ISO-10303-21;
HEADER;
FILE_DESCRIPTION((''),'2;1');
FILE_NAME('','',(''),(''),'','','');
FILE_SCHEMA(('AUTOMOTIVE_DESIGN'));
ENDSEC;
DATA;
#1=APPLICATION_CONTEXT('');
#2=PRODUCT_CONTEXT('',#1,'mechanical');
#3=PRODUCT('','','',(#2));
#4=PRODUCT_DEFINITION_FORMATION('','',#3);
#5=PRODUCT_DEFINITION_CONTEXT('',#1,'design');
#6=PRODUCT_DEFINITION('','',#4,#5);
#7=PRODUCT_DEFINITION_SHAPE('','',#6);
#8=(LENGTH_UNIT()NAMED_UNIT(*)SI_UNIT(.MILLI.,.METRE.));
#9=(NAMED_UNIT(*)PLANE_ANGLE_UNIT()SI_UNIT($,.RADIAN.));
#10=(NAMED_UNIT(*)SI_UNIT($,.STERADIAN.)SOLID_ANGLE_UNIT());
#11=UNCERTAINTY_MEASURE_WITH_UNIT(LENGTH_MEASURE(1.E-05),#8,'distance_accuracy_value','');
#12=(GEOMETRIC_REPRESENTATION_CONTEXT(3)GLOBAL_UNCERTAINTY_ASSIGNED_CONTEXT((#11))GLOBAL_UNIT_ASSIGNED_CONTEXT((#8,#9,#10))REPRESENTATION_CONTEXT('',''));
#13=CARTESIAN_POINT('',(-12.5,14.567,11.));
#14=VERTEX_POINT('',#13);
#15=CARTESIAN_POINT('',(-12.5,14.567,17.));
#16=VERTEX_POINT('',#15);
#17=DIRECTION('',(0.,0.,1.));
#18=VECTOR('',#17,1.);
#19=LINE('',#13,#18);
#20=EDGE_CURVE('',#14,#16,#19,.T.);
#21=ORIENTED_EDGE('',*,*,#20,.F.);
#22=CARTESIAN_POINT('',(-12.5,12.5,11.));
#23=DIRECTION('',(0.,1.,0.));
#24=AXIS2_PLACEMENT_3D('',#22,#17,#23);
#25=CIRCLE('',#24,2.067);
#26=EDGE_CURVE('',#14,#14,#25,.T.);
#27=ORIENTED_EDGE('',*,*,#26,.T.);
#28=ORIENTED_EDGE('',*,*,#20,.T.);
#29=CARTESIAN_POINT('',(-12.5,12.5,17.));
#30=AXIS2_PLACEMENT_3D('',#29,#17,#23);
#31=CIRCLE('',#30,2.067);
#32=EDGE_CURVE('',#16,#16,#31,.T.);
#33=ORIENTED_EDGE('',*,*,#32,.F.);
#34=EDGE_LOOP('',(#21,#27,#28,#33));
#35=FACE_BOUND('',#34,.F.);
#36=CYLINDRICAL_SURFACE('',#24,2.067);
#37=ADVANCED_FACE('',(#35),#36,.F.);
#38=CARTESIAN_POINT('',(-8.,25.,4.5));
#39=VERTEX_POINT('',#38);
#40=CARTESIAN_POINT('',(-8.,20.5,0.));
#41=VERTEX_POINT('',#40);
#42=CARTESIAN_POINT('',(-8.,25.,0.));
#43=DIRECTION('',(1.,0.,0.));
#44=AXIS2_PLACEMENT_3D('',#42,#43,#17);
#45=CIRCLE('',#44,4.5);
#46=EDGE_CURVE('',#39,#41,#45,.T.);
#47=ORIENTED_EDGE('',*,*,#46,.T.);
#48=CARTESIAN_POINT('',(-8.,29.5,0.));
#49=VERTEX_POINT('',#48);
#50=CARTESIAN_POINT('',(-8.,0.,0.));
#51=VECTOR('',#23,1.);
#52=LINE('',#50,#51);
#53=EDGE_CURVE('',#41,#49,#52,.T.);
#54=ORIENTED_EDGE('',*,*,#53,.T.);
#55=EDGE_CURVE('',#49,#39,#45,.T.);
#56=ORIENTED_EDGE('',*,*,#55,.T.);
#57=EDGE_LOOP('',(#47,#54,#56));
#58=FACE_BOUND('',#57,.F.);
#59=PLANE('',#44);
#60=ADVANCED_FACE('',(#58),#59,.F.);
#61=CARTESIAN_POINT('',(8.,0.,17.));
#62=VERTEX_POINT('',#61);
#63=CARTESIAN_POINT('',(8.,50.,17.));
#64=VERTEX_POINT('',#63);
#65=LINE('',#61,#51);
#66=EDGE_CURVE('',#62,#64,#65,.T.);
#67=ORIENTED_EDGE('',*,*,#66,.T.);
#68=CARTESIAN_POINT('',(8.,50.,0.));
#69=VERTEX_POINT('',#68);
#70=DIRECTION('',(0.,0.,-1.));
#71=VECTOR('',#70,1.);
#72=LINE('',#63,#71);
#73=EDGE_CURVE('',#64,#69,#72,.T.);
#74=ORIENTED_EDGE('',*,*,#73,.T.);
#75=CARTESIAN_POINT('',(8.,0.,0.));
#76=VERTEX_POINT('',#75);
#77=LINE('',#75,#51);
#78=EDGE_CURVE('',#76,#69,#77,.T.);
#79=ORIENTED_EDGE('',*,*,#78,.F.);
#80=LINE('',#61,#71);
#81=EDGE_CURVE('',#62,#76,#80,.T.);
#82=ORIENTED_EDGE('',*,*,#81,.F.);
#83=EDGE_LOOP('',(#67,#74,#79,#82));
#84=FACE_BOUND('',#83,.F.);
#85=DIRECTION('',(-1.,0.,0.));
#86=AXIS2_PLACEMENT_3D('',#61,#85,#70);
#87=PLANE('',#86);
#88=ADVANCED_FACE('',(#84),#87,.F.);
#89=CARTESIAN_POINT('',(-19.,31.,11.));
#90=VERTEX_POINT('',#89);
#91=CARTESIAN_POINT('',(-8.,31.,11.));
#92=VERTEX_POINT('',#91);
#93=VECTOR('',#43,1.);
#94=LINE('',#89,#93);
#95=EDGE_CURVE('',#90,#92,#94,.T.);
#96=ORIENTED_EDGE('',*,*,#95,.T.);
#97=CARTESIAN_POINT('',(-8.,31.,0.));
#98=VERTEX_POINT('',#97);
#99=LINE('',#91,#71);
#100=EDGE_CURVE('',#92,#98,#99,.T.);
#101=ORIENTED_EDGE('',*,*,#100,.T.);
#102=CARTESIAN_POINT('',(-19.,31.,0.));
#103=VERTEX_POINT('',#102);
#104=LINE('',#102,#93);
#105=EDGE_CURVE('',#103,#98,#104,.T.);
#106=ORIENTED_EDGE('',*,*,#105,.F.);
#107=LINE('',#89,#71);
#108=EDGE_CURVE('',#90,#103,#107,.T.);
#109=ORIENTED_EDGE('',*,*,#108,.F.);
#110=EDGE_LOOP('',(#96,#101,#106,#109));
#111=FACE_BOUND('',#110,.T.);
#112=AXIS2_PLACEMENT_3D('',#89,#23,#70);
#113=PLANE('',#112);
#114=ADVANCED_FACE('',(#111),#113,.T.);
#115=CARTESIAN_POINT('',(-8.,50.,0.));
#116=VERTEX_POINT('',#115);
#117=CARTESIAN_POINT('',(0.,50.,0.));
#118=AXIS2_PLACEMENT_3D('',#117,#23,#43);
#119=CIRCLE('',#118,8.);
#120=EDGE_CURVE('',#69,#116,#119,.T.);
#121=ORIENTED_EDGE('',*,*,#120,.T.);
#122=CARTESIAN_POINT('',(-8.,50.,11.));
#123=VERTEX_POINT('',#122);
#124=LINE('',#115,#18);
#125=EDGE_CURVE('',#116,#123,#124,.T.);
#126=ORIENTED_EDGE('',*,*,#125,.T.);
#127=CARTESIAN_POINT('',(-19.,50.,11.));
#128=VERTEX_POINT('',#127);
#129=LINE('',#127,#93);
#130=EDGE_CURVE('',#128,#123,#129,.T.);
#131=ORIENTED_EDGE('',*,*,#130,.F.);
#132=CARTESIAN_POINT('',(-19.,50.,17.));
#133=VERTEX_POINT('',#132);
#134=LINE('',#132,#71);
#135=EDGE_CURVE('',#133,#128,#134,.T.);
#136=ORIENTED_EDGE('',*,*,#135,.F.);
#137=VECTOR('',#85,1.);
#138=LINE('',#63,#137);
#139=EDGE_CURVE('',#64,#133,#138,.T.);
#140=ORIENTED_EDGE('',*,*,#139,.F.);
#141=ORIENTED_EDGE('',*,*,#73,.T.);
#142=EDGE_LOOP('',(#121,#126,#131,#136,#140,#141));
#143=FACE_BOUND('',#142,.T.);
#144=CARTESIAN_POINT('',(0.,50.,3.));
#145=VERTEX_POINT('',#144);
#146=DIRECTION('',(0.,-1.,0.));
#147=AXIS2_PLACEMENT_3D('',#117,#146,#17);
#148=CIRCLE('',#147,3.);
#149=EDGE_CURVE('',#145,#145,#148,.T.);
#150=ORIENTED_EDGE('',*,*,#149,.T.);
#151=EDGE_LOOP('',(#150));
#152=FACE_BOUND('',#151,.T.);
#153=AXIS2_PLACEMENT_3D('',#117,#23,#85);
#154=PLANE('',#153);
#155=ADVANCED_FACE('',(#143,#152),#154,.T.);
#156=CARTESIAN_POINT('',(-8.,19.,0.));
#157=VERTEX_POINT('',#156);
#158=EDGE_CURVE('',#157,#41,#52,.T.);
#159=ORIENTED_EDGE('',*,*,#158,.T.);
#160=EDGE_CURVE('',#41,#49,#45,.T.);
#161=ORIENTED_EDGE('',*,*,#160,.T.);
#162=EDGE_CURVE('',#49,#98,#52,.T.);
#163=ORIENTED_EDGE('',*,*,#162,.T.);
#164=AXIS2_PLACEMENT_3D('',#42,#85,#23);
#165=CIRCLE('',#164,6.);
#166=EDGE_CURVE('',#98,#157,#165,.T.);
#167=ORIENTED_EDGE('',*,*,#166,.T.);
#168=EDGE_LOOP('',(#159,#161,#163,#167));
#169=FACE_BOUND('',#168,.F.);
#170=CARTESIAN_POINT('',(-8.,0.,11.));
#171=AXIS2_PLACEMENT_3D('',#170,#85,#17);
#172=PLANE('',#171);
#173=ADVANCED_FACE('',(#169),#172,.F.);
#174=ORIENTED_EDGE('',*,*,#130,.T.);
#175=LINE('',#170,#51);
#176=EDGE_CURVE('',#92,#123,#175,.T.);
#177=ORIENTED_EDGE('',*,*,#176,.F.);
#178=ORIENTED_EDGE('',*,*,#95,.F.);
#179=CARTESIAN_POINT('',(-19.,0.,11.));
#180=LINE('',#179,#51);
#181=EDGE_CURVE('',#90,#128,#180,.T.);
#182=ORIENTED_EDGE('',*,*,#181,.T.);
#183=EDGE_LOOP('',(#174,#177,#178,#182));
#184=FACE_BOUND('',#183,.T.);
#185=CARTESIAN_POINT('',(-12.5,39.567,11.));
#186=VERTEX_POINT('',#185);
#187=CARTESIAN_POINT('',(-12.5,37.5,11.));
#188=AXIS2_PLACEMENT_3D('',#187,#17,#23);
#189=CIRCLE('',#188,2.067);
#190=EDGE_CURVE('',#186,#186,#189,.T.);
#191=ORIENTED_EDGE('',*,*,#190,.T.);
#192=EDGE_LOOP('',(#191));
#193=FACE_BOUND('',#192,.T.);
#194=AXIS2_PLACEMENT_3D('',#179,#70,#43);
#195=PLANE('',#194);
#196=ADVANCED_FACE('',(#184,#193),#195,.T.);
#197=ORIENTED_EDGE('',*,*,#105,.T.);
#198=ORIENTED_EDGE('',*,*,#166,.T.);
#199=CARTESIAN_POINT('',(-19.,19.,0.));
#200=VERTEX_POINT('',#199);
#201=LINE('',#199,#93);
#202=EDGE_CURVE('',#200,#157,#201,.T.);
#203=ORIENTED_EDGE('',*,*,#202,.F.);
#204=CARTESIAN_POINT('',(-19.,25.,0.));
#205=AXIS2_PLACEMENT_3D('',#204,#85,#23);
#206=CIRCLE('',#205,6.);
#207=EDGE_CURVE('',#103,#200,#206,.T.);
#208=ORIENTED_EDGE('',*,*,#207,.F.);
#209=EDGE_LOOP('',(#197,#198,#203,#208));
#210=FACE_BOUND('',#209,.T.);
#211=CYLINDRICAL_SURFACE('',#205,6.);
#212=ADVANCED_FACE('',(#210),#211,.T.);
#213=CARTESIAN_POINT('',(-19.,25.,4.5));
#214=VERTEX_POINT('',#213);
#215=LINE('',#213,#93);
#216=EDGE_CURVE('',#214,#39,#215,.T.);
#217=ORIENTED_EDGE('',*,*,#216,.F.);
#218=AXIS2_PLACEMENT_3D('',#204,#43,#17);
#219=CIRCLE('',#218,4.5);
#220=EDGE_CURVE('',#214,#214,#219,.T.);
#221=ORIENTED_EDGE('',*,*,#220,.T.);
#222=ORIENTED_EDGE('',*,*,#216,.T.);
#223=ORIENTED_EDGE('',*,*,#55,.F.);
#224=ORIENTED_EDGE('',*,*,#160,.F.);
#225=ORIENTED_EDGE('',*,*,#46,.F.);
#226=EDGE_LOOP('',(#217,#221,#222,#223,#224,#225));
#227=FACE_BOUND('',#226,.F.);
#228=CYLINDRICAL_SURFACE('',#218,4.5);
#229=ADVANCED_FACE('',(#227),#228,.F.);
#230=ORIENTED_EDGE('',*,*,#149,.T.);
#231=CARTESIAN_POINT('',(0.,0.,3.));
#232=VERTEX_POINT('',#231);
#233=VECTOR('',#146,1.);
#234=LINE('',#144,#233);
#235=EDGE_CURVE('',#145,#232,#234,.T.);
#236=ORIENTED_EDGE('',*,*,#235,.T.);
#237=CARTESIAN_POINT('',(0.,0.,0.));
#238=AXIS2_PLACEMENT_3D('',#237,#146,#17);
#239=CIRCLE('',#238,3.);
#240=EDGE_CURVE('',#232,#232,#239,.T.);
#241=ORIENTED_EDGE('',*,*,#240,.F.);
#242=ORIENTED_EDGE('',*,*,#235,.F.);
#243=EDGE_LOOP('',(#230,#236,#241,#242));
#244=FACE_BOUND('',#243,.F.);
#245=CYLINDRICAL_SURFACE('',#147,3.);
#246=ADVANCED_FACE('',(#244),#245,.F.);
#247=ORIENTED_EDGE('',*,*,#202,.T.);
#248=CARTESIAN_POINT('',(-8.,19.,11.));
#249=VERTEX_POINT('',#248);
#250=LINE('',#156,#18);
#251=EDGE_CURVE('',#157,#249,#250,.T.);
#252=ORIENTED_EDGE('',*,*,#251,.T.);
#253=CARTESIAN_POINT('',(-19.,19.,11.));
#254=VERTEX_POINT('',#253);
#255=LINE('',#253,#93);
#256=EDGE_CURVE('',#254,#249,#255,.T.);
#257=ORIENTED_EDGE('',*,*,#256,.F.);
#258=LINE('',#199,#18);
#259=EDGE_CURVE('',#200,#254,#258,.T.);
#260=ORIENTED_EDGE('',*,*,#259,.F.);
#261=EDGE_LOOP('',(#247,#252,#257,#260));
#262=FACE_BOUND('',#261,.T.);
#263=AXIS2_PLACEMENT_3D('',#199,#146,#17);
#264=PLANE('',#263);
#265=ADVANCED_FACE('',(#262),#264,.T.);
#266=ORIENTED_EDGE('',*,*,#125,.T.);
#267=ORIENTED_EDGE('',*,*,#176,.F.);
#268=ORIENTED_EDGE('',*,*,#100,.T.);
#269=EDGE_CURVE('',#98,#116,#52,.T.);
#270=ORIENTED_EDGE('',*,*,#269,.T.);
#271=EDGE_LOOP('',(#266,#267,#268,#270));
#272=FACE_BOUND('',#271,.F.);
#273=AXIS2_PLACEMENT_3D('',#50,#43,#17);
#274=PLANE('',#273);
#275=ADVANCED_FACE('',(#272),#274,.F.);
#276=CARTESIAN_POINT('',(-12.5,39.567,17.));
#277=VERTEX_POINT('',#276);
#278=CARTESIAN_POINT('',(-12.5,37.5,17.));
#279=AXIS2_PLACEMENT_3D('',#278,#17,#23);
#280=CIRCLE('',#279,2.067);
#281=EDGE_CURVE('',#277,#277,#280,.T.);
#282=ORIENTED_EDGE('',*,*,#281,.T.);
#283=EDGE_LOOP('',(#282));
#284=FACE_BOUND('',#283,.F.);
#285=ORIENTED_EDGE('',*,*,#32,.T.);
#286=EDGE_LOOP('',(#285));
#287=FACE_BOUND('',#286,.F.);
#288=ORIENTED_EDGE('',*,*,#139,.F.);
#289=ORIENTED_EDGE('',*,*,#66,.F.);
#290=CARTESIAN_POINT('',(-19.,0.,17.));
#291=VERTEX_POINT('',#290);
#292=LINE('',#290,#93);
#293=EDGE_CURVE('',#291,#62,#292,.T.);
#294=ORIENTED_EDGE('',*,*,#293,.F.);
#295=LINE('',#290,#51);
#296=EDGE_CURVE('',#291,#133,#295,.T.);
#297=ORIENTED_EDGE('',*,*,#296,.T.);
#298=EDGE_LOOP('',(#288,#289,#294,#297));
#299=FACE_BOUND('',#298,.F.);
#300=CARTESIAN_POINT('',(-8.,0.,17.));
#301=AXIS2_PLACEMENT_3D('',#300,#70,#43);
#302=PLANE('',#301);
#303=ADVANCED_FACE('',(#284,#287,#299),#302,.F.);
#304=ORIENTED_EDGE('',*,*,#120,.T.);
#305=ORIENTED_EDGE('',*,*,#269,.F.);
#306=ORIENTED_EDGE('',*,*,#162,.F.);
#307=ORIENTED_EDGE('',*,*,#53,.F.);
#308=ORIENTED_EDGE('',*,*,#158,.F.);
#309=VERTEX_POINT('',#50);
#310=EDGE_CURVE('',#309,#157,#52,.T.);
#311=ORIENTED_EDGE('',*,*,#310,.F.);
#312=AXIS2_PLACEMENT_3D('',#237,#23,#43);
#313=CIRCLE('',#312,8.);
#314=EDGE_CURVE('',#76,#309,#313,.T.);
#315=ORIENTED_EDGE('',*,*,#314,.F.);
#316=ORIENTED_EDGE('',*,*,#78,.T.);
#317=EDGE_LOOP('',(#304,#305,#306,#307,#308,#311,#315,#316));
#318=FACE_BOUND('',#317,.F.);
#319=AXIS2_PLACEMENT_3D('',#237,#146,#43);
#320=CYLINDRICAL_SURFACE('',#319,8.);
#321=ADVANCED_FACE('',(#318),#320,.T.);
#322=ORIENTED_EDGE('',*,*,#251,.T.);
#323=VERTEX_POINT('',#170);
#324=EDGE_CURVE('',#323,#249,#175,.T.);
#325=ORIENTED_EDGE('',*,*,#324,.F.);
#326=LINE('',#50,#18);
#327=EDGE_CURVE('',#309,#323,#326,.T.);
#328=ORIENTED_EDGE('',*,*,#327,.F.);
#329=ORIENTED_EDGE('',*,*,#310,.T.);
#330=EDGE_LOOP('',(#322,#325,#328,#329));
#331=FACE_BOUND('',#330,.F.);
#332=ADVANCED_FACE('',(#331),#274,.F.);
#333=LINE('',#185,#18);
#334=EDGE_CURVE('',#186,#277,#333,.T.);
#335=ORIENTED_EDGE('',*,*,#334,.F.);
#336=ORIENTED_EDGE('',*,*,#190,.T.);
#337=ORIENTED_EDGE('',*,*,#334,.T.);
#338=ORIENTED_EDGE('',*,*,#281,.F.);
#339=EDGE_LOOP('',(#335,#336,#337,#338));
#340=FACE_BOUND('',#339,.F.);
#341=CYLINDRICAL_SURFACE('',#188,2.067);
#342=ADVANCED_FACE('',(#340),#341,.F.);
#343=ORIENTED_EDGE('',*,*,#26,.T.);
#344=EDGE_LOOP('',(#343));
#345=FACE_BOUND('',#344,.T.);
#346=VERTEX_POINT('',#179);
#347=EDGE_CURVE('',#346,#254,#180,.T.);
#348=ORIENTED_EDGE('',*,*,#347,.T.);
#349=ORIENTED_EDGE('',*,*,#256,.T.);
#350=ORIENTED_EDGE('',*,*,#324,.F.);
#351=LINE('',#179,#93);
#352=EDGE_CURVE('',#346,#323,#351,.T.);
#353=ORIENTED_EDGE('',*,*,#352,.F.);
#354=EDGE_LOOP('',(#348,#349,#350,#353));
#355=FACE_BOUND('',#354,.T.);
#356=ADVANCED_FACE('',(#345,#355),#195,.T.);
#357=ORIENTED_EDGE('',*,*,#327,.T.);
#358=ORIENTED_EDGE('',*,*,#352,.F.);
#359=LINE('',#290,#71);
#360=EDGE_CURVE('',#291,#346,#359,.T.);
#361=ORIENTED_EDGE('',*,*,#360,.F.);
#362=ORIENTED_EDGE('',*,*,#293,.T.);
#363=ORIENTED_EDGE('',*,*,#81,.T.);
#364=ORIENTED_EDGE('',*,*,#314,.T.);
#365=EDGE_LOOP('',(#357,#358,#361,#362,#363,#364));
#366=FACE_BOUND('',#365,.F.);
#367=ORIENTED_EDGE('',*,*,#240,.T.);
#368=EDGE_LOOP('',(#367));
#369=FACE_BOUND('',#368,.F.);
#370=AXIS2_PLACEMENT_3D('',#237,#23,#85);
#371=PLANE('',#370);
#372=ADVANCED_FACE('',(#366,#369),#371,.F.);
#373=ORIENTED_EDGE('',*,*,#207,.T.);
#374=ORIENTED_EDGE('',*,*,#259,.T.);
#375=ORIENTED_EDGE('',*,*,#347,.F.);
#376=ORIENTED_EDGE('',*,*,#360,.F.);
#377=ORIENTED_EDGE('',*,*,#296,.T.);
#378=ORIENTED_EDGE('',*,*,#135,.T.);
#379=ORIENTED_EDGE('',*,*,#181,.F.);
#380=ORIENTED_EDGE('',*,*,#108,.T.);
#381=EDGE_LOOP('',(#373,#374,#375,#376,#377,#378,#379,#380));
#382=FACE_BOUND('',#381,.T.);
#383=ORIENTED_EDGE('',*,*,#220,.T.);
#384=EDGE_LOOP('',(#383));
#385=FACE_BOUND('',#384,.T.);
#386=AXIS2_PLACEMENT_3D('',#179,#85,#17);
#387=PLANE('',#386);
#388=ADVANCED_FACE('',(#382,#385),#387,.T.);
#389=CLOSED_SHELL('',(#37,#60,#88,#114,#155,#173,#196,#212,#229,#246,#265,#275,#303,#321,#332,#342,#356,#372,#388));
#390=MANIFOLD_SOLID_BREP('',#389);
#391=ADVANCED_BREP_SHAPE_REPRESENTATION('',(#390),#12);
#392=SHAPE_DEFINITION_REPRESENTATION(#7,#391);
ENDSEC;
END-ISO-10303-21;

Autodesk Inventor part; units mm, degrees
ref_plane "YZ Plane" through (0, 0, 0) normal (1, 0, 0) x (0, 1, 0)
ref_plane "XZ Plane" through (0, 0, 0) normal (0, 1, 0) x (-1, 0, 0)
ref_plane "XY Plane" through (0, 0, 0) normal (0, 0, 1) x (1, 0, 0)
sketch "Skizze1" plane through (0, 0, 0) normal (0, 1, 0) x (-1, 0, 0)
  arc A0 (-8, 0) -> (8, 0) centre (0, 0) ccw
  line L0 (8, 0) -> (8, 11)
  line L1 (8, 17) -> (-8, 17)
  line L2 (-8, 17) -> (-8, 0)
  line L3 (8, 17) -> (19, 17)
  line L4 (19, 17) -> (19, 11)
  line L5 (19, 11) -> (8, 11)
  dimension "d0" = 16
  dimension "d1" = 16
  dimension "d2" = 6
  dimension "d3" = 19
  dimension "d4" = 11
  dimension "d5" = 17
extrude "Extrusion1" add sketch "Skizze1" along normal blind 50
sketch "Skizze2" plane through (0, 50, 0) normal (0, 1, 0) x (1, 0, 0)
  arc A0 (8, 0) -> (-8, 0) centre (0, 0) ccw projected
hole "Bohrung1" at (0, 50, 0) direction (0, -1, 0) diameter 6 end through all
sketch "Skizze3" plane through (-19, 0, 11) normal (-1, 0, 0) x (0, 0, 1)
  line L0 (0, 0) -> (0, 50) projected
  line L1 (0, 31) -> (-11, 31)
  arc A0 (-11, 31) -> (-11, 19) centre (-11, 25) ccw
  line L2 (-11, 19) -> (0, 19)
  line L3 (0, 31) -> (0, 19)
  point P0 (-11, 0)
  point P1 (0, 25)
  dimension "d15" = 6
extrude "Extrusion2" add sketch "Skizze3" against normal up to surface (11 mm away)
sketch "Skizze4" plane through (-19, 0, 11) normal (-1, 0, 0) x (0, 0, 1)
  arc A0 (-11, 31) -> (-11, 19) centre (-11, 25) ccw projected
  point P0 (-11, 0)
hole "Bohrung2" at (-19, 25, 0) direction (1, 0, 0) diameter 9 depth 11
sketch "Skizze5" plane through (-8, 50, 11) normal (0, 0, -1) x (-1, 0, 0)
  line L0 (11, -19) -> (11, 0) projected
  line L1 (11, -31) -> (11, -19) projected
  point P0 (-8, -50)
  point P1 (4.5, -12.5)
  point P2 (4.5, -37.5)
  point P3 (11, -25)
  dimension "d32" = 6.5
  dimension "d33" = 12.5
  dimension "d34" = 25
hole "Bohrung3" at (-12.5, 37.5, 11) at (-12.5, 12.5, 11) direction (0, 0, 1) diameter 4.134 end through all thread size "M5x0.8" class "6H" standard "ISO Metric profile"
properties part number "103"
